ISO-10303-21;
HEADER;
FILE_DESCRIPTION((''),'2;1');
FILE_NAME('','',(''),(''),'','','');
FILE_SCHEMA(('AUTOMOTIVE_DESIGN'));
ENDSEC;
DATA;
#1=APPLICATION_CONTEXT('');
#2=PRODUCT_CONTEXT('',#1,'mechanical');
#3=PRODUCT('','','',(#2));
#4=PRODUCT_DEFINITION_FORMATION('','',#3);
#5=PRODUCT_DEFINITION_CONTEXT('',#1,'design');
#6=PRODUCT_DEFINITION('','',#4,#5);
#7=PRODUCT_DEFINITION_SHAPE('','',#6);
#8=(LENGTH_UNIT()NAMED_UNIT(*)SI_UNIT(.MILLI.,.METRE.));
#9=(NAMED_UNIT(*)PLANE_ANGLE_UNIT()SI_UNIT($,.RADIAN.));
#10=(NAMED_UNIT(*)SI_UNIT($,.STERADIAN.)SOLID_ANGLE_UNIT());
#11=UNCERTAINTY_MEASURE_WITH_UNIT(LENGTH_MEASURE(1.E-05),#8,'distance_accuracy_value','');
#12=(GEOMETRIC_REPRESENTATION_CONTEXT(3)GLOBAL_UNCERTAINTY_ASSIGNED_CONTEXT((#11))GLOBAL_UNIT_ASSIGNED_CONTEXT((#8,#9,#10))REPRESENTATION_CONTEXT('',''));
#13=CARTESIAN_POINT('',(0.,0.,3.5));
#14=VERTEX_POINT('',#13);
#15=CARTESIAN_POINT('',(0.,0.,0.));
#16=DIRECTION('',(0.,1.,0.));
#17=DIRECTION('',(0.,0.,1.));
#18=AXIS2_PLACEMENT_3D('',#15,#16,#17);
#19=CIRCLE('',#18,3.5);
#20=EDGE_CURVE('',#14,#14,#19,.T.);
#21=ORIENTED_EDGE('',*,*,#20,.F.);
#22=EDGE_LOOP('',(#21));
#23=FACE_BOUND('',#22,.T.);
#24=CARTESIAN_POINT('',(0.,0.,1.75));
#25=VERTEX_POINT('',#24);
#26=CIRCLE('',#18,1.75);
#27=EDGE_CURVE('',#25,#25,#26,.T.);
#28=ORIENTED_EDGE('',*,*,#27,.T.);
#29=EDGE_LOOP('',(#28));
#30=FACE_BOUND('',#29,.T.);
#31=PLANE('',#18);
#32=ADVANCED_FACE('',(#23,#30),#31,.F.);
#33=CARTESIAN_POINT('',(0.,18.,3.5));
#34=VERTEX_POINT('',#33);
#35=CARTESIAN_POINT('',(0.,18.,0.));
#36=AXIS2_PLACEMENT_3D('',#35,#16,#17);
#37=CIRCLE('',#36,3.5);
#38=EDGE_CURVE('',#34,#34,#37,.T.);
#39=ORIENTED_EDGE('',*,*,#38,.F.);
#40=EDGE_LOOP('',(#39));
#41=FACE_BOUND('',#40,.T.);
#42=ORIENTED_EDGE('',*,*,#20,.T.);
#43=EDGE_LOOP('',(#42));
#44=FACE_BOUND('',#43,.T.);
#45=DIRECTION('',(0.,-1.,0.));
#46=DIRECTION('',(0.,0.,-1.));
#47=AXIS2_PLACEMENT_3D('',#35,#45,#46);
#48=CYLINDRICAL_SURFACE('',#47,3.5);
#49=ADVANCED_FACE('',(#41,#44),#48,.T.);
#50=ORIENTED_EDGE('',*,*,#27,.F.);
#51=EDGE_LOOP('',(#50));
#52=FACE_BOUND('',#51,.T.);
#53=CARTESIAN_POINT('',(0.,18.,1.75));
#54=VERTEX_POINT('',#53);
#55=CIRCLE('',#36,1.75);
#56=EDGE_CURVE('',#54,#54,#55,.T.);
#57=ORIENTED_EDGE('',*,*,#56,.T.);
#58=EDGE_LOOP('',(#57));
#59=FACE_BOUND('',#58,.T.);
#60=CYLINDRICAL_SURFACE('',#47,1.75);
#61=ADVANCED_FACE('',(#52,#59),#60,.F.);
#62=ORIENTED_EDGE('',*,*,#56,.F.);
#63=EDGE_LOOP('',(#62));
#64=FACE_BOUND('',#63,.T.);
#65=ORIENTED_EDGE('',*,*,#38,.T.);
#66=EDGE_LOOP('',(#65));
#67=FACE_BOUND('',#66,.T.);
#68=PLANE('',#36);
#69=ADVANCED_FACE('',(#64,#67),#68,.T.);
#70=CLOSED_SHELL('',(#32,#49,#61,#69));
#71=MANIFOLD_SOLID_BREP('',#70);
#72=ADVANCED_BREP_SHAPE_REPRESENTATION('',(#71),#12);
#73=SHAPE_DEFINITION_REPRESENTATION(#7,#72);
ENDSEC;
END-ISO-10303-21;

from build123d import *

# Parameters (mm, degrees)
SKETCH1_R           = 3.5
SKETCH1_R_2         = 1.75
BOSS_EXTRUDE1_DEPTH = 18


with BuildPart() as part:
    # Sketch1 → Boss-Extrude1 (new body)
    with BuildSketch(Plane(origin=(0, 0, 0), x_dir=(1, 0, 0), z_dir=(0, 1, 0))):
        Circle(SKETCH1_R)
        Circle(SKETCH1_R_2, mode=Mode.SUBTRACT)
    extrude(amount=BOSS_EXTRUDE1_DEPTH)


solid = part.part
